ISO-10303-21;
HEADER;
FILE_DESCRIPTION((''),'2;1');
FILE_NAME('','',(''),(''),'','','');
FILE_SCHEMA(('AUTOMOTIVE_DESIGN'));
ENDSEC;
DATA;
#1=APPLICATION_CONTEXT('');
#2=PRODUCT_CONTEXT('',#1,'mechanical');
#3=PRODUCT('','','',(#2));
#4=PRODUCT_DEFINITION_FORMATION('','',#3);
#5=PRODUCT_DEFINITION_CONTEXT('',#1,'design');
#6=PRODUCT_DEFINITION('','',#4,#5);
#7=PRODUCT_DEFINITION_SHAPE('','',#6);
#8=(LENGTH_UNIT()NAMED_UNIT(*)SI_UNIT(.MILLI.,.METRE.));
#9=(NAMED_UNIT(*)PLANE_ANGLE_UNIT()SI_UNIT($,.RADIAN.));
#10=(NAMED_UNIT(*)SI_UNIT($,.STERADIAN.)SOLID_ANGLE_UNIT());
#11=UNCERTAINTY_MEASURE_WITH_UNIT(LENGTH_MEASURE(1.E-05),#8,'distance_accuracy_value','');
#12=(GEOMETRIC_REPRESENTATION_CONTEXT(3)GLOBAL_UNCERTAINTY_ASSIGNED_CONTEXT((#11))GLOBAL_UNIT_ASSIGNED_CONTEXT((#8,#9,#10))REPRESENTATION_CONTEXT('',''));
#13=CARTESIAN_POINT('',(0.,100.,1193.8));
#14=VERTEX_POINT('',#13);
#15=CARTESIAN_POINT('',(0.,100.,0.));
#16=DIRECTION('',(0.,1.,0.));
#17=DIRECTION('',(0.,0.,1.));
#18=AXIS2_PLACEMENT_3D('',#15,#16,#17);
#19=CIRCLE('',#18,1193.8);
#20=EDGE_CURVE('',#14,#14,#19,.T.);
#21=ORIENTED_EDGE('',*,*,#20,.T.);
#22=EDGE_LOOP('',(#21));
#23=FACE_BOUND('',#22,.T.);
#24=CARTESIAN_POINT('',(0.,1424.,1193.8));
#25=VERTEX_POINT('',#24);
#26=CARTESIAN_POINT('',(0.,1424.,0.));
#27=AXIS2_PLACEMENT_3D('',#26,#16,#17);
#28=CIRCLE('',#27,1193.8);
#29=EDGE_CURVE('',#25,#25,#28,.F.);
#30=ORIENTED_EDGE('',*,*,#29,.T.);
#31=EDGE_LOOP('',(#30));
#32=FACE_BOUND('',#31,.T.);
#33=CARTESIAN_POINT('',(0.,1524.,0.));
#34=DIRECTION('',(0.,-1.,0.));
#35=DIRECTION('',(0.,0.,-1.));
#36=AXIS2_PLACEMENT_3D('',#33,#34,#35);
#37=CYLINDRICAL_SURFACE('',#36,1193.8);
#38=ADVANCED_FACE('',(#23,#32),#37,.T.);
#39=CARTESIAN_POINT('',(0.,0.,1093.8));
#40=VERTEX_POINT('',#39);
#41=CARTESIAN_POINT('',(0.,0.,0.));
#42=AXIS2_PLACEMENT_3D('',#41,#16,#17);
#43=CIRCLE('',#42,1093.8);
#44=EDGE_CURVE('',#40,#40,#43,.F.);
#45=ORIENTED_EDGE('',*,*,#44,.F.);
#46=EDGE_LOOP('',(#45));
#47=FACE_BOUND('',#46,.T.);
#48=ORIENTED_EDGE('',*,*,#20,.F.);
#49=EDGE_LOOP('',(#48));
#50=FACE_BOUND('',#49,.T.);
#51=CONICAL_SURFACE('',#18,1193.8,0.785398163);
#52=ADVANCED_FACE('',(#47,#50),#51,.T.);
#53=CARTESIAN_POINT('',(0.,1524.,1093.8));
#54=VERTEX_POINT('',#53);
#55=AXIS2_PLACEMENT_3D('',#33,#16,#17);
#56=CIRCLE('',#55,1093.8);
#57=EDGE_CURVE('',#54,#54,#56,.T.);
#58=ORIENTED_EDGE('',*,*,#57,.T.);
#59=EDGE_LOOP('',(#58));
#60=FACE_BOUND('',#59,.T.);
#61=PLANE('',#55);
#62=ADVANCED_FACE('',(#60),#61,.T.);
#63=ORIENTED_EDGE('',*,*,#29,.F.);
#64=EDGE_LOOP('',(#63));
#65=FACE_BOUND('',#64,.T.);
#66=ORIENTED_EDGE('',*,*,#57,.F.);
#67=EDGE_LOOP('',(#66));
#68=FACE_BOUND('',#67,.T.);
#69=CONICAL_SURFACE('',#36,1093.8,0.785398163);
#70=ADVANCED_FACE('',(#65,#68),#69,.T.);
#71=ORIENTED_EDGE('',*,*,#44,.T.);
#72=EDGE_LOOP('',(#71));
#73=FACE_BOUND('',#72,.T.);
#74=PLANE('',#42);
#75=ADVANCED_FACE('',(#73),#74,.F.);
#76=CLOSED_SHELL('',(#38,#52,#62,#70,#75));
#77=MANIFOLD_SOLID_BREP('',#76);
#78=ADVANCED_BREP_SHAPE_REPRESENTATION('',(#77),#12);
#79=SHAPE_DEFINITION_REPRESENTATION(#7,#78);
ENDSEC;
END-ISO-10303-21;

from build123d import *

# Parameters (mm, degrees)
SKETCH1_R           = 1193.8
BOSS_EXTRUDE1_DEPTH = 1524
CHAMFER1_SIZE       = 100
CHAMFER2_SIZE       = 100


with BuildPart() as part:
    # Sketch1 → Boss-Extrude1 (new body)
    with BuildSketch(Plane(origin=(0, 0, 0), x_dir=(1, 0, 0), z_dir=(0, 1, 0))):
        Circle(SKETCH1_R)
    extrude(amount=BOSS_EXTRUDE1_DEPTH)

    # Chamfer1
    chamfer1_edges = [part.edges().sort_by_distance(p)[0] for p in [
        (-1193.8, 1524, 0),
    ]]
    chamfer(chamfer1_edges, length=CHAMFER1_SIZE)

    # Chamfer2
    chamfer2_edges = [part.edges().sort_by_distance(p)[0] for p in [
        (-1193.8, 0, 0),
    ]]
    chamfer(chamfer2_edges, length=CHAMFER2_SIZE)


solid = part.part
